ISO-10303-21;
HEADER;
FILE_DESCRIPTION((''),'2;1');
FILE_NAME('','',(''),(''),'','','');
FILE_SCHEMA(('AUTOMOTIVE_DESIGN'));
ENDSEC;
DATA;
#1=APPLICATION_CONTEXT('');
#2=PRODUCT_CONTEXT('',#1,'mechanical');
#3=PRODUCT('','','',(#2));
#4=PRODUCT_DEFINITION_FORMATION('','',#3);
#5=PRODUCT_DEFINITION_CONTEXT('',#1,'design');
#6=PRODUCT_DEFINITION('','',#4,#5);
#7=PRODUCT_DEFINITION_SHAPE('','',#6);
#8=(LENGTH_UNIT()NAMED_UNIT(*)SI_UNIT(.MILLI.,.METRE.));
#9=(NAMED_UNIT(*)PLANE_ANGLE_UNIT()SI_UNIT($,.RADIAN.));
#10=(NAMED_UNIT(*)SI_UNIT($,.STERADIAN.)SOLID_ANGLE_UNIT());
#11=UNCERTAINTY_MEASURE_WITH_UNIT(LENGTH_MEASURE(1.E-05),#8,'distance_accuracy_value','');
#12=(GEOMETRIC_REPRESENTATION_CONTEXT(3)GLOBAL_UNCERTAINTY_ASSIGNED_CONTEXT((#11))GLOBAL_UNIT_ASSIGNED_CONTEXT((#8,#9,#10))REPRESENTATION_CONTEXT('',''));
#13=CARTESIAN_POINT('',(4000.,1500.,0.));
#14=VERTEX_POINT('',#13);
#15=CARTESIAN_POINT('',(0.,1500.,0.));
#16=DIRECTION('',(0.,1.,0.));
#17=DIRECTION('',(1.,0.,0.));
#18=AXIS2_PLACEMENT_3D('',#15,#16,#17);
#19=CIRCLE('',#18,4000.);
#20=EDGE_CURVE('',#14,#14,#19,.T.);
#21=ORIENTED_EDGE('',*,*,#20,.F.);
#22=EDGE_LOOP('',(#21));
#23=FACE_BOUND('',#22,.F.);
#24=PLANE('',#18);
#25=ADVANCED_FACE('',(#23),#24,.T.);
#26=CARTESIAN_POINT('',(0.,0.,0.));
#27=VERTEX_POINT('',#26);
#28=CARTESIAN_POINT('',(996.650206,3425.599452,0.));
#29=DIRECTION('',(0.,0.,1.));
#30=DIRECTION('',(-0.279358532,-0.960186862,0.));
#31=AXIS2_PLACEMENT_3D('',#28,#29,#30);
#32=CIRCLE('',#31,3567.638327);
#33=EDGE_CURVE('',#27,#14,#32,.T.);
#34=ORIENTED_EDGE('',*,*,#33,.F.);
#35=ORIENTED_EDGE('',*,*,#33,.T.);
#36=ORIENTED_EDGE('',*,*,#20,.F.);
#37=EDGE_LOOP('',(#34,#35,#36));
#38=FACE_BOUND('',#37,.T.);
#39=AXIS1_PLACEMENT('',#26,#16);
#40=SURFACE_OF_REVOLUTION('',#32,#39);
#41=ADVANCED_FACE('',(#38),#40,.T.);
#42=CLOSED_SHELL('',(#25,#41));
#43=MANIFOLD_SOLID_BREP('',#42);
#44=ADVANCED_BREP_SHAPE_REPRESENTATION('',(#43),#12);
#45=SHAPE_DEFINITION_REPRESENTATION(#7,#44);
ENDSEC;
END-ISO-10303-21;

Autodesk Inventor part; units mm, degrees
ref_plane "YZ Plane" through (0, 0, 0) normal (1, 0, 0) x (0, 1, 0)
ref_plane "XZ Plane" through (0, 0, 0) normal (0, 1, 0) x (-1, 0, 0)
ref_plane "XY Plane" through (0, 0, 0) normal (0, 0, 1) x (1, 0, 0)
sketch "Boceto1" plane through (0, 0, 0) normal (0, 0, 1) x (1, 0, 0)
  line L0 (0, 0) -> (0, 1500)
  line L1 (0, 1500) -> (4000, 1500)
  arc A0 (0, 0) -> (4000, 1500) centre (996.6502, 3425.5996) ccw
  dimension "d1" = 1500
  dimension "d2" = 4000
revolve "Revolución1" add sketch "Boceto1" angle 360 about axis through (0, 0, 0) along (0, 1, 0)
properties part number "PARTE_INFERIOR_BALSA_FLOTABILIDAD_UNDIMOTRIZ"
